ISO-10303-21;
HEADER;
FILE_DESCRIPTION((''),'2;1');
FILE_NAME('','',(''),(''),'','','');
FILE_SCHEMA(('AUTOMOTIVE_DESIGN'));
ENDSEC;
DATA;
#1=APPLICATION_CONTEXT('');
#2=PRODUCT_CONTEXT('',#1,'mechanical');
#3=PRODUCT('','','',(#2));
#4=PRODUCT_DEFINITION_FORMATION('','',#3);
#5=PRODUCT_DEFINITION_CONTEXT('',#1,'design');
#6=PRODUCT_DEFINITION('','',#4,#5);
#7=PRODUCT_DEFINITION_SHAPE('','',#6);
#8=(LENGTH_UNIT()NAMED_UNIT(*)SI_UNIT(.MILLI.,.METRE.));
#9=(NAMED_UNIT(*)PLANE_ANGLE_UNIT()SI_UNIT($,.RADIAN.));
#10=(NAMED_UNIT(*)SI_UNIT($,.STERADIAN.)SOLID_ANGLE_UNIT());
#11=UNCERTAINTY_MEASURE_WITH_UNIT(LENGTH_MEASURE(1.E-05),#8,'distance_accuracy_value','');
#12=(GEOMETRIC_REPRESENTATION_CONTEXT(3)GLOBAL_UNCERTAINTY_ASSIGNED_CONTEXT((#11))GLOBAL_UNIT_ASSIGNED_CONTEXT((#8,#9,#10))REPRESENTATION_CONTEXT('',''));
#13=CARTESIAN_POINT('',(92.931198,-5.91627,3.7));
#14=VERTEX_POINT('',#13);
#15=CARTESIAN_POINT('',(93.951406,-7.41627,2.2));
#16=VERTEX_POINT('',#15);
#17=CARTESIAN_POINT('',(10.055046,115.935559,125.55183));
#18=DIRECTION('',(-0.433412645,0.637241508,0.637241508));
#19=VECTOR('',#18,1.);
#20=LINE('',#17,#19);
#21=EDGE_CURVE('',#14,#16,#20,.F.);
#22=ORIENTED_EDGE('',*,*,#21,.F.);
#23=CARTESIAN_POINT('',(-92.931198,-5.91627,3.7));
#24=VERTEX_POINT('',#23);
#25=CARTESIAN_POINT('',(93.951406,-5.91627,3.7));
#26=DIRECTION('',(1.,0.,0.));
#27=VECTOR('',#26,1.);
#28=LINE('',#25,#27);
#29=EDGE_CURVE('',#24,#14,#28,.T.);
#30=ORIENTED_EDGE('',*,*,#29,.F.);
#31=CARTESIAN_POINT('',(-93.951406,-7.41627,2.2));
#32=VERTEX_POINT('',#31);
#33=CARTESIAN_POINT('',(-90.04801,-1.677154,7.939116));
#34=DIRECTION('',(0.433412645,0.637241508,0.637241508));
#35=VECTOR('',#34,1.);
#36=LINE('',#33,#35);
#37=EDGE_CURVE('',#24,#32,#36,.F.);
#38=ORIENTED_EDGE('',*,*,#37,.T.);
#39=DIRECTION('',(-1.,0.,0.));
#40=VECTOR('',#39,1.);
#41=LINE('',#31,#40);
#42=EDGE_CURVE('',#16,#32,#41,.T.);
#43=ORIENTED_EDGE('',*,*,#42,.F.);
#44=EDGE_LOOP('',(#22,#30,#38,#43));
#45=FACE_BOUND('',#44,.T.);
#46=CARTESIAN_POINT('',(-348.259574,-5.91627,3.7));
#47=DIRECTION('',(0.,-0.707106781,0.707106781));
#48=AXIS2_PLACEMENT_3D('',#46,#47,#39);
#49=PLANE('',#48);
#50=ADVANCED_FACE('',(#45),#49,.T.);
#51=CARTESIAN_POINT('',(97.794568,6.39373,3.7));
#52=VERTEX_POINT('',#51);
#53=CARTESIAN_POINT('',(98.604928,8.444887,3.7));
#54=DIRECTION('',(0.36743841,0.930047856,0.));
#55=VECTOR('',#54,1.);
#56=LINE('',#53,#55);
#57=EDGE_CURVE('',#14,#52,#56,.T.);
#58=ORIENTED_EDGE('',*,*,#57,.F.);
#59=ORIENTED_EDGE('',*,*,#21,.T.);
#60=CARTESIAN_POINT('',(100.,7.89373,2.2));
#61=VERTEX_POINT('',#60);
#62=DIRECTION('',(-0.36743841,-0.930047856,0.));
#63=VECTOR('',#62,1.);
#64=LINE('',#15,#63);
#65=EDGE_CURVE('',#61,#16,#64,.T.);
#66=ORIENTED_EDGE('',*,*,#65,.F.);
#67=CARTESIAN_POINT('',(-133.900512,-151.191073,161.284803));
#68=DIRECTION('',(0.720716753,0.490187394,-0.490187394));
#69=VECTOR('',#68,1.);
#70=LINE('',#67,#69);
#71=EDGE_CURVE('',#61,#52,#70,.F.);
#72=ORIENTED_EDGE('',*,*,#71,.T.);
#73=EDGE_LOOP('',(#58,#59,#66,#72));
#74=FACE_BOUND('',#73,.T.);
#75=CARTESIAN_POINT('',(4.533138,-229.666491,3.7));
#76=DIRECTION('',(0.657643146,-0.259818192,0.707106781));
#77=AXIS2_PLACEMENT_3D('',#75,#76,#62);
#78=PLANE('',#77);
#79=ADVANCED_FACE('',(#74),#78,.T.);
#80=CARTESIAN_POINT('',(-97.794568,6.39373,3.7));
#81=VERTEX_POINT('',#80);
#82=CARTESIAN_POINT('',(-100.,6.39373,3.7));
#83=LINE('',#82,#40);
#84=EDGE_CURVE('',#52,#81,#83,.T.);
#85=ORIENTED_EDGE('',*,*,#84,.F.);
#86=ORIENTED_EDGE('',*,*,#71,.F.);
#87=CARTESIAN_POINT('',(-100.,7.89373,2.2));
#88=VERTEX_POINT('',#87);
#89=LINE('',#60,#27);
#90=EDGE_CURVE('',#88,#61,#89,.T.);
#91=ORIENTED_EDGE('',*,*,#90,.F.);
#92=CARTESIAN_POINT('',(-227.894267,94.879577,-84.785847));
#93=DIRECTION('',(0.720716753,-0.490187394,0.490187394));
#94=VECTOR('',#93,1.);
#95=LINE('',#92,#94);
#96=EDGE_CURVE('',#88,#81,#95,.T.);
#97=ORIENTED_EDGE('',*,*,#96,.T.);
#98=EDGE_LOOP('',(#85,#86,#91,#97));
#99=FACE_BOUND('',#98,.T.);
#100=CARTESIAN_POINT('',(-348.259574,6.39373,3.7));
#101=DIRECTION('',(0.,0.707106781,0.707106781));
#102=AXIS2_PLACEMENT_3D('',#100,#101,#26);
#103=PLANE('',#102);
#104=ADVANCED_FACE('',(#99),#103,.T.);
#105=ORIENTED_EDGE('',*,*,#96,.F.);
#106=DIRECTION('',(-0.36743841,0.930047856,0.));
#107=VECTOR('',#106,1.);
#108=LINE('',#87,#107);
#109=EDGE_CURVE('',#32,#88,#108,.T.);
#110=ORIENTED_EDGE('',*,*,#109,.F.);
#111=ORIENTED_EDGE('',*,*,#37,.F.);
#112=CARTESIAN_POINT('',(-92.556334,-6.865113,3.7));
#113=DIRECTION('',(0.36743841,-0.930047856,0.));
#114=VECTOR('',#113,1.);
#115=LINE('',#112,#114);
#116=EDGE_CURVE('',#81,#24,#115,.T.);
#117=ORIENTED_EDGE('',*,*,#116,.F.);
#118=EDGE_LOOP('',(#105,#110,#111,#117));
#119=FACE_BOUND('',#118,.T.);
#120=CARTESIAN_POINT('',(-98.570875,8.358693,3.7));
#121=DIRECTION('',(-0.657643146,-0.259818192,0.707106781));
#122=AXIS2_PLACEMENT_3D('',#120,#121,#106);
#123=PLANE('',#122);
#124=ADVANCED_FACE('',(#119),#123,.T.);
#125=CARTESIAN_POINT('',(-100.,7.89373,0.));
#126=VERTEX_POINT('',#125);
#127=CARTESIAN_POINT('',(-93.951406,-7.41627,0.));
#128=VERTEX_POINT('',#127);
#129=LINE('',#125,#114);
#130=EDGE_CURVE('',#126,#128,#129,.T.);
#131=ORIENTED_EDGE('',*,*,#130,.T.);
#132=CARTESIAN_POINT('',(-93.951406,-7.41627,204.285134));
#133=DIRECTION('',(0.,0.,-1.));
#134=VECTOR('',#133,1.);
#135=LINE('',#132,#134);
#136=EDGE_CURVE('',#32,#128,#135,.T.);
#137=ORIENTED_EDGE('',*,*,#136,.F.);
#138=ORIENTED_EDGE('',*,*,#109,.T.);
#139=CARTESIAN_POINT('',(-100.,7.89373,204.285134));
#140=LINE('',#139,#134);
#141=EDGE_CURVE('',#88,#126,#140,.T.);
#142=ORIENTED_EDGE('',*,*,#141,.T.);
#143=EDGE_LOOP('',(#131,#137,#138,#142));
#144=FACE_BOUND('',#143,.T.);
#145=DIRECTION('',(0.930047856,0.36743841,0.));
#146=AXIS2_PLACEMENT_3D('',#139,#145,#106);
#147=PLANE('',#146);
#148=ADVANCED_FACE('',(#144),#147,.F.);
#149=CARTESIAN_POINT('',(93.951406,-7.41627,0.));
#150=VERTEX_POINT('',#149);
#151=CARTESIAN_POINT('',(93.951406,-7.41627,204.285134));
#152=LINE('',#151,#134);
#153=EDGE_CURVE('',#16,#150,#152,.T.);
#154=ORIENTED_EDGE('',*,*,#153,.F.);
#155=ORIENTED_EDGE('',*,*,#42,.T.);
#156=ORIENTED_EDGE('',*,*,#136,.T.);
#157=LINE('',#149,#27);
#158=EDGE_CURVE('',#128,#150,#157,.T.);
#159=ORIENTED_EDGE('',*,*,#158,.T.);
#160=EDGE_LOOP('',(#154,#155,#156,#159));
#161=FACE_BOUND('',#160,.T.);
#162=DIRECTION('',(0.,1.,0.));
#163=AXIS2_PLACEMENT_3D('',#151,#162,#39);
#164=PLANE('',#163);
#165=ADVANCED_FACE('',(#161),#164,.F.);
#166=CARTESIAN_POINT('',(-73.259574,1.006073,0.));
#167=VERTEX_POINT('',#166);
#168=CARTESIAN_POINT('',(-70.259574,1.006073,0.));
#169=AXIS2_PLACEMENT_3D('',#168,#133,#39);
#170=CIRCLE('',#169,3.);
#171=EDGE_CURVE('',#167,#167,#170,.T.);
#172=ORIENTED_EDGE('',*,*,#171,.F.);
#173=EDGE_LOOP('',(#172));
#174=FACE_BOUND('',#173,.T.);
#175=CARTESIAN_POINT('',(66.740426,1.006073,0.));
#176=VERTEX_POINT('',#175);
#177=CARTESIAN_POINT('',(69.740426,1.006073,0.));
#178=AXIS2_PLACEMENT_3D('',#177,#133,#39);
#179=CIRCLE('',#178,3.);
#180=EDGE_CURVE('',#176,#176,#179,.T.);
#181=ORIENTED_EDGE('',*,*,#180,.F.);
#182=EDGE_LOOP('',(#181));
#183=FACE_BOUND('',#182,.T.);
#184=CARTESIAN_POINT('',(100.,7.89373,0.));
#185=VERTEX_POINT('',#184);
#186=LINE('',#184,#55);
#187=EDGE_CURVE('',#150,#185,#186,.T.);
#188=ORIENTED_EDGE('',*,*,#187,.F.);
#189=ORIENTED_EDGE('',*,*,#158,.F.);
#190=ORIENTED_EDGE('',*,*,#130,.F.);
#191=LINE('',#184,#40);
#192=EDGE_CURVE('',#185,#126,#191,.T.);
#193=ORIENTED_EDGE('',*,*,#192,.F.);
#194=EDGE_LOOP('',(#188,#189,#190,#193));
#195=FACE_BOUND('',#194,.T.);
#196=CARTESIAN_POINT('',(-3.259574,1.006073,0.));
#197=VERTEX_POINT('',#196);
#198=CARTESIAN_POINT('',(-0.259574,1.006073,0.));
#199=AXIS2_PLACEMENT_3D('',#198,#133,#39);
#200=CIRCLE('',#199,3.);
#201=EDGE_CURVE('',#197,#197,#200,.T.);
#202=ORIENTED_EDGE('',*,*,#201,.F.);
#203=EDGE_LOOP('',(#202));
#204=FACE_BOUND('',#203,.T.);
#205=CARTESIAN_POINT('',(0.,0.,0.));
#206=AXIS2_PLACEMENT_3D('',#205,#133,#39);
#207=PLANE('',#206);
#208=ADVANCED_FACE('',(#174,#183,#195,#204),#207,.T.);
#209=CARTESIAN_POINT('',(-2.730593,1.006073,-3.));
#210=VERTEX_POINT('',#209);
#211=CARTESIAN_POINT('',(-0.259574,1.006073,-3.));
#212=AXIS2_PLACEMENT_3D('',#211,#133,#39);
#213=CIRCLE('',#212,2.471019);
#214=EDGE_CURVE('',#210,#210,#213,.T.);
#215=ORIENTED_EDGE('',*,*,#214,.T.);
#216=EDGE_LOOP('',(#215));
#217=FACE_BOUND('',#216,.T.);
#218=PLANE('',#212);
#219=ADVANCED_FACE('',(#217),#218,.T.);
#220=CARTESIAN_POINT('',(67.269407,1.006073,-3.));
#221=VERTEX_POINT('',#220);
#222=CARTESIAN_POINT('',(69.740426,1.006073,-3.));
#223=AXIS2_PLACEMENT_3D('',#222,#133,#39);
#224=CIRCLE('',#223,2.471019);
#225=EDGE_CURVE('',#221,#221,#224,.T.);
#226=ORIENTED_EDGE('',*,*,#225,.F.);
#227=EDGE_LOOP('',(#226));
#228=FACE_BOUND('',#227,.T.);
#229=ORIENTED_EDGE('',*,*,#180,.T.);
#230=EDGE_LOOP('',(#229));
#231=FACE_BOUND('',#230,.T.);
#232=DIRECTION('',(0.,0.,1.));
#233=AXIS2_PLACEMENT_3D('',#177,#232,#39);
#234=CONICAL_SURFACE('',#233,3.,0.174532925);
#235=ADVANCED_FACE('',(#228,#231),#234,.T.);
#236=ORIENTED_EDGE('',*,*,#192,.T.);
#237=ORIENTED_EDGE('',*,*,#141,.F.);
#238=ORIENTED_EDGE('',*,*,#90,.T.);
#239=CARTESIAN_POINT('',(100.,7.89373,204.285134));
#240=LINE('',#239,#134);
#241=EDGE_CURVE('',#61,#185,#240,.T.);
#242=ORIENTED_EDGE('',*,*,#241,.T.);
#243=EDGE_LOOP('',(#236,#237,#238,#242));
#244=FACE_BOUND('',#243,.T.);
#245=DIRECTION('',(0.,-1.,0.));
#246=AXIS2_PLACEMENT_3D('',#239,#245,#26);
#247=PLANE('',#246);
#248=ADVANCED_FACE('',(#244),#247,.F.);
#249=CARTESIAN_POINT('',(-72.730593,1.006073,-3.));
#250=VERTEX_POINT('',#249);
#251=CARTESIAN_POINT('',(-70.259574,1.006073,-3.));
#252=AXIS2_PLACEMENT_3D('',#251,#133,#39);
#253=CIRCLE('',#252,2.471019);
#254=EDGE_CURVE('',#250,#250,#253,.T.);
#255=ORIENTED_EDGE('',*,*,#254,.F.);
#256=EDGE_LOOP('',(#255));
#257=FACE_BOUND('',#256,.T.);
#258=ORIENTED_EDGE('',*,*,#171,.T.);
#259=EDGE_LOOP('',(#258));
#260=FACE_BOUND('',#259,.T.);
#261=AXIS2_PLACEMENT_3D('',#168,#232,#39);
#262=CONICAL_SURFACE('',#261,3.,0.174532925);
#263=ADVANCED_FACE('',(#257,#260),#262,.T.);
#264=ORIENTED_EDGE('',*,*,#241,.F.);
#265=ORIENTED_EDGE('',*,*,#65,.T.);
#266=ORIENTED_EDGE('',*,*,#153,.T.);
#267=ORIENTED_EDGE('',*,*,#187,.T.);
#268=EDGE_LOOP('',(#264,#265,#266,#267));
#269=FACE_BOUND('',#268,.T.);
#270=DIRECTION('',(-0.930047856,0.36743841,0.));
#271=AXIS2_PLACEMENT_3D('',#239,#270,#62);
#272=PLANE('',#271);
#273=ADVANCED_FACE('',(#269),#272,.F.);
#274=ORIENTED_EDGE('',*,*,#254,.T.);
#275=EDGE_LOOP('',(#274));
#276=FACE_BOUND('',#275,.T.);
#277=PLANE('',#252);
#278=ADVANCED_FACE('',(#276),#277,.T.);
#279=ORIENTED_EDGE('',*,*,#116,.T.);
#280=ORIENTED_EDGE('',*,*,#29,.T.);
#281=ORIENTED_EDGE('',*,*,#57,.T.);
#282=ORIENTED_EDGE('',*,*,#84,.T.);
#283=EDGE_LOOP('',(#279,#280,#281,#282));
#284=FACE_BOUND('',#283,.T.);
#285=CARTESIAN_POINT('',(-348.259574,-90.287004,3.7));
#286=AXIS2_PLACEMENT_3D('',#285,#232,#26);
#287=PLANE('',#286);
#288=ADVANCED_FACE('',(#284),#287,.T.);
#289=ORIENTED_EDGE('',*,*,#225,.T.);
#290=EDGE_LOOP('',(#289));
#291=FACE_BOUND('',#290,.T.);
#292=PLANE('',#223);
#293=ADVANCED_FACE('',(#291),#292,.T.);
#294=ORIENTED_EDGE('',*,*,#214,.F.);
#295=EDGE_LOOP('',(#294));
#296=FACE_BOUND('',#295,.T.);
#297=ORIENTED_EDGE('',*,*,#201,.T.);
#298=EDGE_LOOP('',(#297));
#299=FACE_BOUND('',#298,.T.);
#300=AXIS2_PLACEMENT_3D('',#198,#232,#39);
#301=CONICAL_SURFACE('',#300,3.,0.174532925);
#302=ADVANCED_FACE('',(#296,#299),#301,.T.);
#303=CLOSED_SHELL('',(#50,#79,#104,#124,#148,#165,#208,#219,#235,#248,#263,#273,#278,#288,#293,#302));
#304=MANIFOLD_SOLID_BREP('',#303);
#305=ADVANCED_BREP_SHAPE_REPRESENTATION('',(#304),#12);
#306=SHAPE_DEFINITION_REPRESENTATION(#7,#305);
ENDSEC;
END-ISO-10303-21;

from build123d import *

# Parameters (mm, degrees)
BOSS_EXTRUDE1_DEPTH           = 3.7
CHAMFER1_SIZE                 = 1.5
SKETCH2_R                     = 3
BOSS_EXTRUDE2_DEPTH           = 3
BOSS_EXTRUDE2_DRAFT           = 10
BOSS_EXTRUDE2_PROFILE_2_DEPTH = 3
BOSS_EXTRUDE2_PROFILE_2_DRAFT = 10
BOSS_EXTRUDE2_PROFILE_3_DEPTH = 3
BOSS_EXTRUDE2_PROFILE_3_DRAFT = 10


with BuildPart() as part:
    # Sketch1 → Boss-Extrude1 (new body)
    with BuildSketch(Plane.XY):
        Polygon((100, 7.893729842), (-100, 7.893729842), (-93.951405808, -7.416270158), (93.951405808, -7.416270158), align=None)
    extrude(amount=BOSS_EXTRUDE1_DEPTH)

    # Chamfer1
    chamfer1_edges = [part.edges().sort_by_distance(p)[0] for p in [
        (0, 7.893729842, 3.7),
        (-96.975702904, 0.238729842, 3.7),
        (0, -7.416270158, 3.7),
        (96.975702904, 0.238729842, 3.7),
    ]]
    chamfer(chamfer1_edges, length=CHAMFER1_SIZE)


with BuildPart() as boss_extrude2_tool:
    # Sketch2 → Boss-Extrude2 (with draft: the straight prism first)
    with BuildSketch(Plane(origin=(0, 0, 0), x_dir=(-1, 0, 0), z_dir=(0, 0, -1))):
        with Locations((-69.740425787, 1.006073404)):
            Circle(SKETCH2_R)
    extrude(amount=BOSS_EXTRUDE2_DEPTH)
    # Boss-Extrude2: the draft: its side faces are tilted about the plane it starts from
    boss_extrude2_sides = [boss_extrude2_tool.faces().sort_by_distance(p)[0] for p in [
        (72.740425787, 1.006073404, -1.5),
    ]]
    draft(boss_extrude2_sides, Plane(origin=(0, 0, 0), x_dir=(-1, 0, 0), z_dir=(0, 0, -1)), BOSS_EXTRUDE2_DRAFT)


with BuildPart() as part_1:
    add(part.part)

    # Boss-Extrude2: add boss_extrude2_tool
    add(boss_extrude2_tool.part)


with BuildPart() as boss_extrude2_profile_2_tool:
    # Sketch2 → Boss-Extrude2 profile 2 (with draft: the straight prism first)
    with BuildSketch(Plane(origin=(0, 0, 0), x_dir=(-1, 0, 0), z_dir=(0, 0, -1))):
        with Locations((0.259574213, 1.006073404)):
            Circle(SKETCH2_R)
    extrude(amount=BOSS_EXTRUDE2_PROFILE_2_DEPTH)
    # Boss-Extrude2 profile 2: the draft: its side faces are tilted about the plane it starts from
    boss_extrude2_profile_2_sides = [boss_extrude2_profile_2_tool.faces().sort_by_distance(p)[0] for p in [
        (2.740425787, 1.006073404, -1.5),
    ]]
    draft(boss_extrude2_profile_2_sides, Plane(origin=(0, 0, 0), x_dir=(-1, 0, 0), z_dir=(0, 0, -1)), BOSS_EXTRUDE2_PROFILE_2_DRAFT)


with BuildPart() as part_2:
    add(part_1.part)

    # Boss-Extrude2 profile 2: add boss_extrude2_profile_2_tool
    add(boss_extrude2_profile_2_tool.part)


with BuildPart() as boss_extrude2_profile_3_tool:
    # Sketch2 → Boss-Extrude2 profile 3 (with draft: the straight prism first)
    with BuildSketch(Plane(origin=(0, 0, 0), x_dir=(-1, 0, 0), z_dir=(0, 0, -1))):
        with Locations((70.259574213, 1.006073404)):
            Circle(SKETCH2_R)
    extrude(amount=BOSS_EXTRUDE2_PROFILE_3_DEPTH)
    # Boss-Extrude2 profile 3: the draft: its side faces are tilted about the plane it starts from
    boss_extrude2_profile_3_sides = [boss_extrude2_profile_3_tool.faces().sort_by_distance(p)[0] for p in [
        (-67.259574213, 1.006073404, -1.5),
    ]]
    draft(boss_extrude2_profile_3_sides, Plane(origin=(0, 0, 0), x_dir=(-1, 0, 0), z_dir=(0, 0, -1)), BOSS_EXTRUDE2_PROFILE_3_DRAFT)


with BuildPart() as part_3:
    add(part_2.part)

    # Boss-Extrude2 profile 3: add boss_extrude2_profile_3_tool
    add(boss_extrude2_profile_3_tool.part)


solid = part_3.part
